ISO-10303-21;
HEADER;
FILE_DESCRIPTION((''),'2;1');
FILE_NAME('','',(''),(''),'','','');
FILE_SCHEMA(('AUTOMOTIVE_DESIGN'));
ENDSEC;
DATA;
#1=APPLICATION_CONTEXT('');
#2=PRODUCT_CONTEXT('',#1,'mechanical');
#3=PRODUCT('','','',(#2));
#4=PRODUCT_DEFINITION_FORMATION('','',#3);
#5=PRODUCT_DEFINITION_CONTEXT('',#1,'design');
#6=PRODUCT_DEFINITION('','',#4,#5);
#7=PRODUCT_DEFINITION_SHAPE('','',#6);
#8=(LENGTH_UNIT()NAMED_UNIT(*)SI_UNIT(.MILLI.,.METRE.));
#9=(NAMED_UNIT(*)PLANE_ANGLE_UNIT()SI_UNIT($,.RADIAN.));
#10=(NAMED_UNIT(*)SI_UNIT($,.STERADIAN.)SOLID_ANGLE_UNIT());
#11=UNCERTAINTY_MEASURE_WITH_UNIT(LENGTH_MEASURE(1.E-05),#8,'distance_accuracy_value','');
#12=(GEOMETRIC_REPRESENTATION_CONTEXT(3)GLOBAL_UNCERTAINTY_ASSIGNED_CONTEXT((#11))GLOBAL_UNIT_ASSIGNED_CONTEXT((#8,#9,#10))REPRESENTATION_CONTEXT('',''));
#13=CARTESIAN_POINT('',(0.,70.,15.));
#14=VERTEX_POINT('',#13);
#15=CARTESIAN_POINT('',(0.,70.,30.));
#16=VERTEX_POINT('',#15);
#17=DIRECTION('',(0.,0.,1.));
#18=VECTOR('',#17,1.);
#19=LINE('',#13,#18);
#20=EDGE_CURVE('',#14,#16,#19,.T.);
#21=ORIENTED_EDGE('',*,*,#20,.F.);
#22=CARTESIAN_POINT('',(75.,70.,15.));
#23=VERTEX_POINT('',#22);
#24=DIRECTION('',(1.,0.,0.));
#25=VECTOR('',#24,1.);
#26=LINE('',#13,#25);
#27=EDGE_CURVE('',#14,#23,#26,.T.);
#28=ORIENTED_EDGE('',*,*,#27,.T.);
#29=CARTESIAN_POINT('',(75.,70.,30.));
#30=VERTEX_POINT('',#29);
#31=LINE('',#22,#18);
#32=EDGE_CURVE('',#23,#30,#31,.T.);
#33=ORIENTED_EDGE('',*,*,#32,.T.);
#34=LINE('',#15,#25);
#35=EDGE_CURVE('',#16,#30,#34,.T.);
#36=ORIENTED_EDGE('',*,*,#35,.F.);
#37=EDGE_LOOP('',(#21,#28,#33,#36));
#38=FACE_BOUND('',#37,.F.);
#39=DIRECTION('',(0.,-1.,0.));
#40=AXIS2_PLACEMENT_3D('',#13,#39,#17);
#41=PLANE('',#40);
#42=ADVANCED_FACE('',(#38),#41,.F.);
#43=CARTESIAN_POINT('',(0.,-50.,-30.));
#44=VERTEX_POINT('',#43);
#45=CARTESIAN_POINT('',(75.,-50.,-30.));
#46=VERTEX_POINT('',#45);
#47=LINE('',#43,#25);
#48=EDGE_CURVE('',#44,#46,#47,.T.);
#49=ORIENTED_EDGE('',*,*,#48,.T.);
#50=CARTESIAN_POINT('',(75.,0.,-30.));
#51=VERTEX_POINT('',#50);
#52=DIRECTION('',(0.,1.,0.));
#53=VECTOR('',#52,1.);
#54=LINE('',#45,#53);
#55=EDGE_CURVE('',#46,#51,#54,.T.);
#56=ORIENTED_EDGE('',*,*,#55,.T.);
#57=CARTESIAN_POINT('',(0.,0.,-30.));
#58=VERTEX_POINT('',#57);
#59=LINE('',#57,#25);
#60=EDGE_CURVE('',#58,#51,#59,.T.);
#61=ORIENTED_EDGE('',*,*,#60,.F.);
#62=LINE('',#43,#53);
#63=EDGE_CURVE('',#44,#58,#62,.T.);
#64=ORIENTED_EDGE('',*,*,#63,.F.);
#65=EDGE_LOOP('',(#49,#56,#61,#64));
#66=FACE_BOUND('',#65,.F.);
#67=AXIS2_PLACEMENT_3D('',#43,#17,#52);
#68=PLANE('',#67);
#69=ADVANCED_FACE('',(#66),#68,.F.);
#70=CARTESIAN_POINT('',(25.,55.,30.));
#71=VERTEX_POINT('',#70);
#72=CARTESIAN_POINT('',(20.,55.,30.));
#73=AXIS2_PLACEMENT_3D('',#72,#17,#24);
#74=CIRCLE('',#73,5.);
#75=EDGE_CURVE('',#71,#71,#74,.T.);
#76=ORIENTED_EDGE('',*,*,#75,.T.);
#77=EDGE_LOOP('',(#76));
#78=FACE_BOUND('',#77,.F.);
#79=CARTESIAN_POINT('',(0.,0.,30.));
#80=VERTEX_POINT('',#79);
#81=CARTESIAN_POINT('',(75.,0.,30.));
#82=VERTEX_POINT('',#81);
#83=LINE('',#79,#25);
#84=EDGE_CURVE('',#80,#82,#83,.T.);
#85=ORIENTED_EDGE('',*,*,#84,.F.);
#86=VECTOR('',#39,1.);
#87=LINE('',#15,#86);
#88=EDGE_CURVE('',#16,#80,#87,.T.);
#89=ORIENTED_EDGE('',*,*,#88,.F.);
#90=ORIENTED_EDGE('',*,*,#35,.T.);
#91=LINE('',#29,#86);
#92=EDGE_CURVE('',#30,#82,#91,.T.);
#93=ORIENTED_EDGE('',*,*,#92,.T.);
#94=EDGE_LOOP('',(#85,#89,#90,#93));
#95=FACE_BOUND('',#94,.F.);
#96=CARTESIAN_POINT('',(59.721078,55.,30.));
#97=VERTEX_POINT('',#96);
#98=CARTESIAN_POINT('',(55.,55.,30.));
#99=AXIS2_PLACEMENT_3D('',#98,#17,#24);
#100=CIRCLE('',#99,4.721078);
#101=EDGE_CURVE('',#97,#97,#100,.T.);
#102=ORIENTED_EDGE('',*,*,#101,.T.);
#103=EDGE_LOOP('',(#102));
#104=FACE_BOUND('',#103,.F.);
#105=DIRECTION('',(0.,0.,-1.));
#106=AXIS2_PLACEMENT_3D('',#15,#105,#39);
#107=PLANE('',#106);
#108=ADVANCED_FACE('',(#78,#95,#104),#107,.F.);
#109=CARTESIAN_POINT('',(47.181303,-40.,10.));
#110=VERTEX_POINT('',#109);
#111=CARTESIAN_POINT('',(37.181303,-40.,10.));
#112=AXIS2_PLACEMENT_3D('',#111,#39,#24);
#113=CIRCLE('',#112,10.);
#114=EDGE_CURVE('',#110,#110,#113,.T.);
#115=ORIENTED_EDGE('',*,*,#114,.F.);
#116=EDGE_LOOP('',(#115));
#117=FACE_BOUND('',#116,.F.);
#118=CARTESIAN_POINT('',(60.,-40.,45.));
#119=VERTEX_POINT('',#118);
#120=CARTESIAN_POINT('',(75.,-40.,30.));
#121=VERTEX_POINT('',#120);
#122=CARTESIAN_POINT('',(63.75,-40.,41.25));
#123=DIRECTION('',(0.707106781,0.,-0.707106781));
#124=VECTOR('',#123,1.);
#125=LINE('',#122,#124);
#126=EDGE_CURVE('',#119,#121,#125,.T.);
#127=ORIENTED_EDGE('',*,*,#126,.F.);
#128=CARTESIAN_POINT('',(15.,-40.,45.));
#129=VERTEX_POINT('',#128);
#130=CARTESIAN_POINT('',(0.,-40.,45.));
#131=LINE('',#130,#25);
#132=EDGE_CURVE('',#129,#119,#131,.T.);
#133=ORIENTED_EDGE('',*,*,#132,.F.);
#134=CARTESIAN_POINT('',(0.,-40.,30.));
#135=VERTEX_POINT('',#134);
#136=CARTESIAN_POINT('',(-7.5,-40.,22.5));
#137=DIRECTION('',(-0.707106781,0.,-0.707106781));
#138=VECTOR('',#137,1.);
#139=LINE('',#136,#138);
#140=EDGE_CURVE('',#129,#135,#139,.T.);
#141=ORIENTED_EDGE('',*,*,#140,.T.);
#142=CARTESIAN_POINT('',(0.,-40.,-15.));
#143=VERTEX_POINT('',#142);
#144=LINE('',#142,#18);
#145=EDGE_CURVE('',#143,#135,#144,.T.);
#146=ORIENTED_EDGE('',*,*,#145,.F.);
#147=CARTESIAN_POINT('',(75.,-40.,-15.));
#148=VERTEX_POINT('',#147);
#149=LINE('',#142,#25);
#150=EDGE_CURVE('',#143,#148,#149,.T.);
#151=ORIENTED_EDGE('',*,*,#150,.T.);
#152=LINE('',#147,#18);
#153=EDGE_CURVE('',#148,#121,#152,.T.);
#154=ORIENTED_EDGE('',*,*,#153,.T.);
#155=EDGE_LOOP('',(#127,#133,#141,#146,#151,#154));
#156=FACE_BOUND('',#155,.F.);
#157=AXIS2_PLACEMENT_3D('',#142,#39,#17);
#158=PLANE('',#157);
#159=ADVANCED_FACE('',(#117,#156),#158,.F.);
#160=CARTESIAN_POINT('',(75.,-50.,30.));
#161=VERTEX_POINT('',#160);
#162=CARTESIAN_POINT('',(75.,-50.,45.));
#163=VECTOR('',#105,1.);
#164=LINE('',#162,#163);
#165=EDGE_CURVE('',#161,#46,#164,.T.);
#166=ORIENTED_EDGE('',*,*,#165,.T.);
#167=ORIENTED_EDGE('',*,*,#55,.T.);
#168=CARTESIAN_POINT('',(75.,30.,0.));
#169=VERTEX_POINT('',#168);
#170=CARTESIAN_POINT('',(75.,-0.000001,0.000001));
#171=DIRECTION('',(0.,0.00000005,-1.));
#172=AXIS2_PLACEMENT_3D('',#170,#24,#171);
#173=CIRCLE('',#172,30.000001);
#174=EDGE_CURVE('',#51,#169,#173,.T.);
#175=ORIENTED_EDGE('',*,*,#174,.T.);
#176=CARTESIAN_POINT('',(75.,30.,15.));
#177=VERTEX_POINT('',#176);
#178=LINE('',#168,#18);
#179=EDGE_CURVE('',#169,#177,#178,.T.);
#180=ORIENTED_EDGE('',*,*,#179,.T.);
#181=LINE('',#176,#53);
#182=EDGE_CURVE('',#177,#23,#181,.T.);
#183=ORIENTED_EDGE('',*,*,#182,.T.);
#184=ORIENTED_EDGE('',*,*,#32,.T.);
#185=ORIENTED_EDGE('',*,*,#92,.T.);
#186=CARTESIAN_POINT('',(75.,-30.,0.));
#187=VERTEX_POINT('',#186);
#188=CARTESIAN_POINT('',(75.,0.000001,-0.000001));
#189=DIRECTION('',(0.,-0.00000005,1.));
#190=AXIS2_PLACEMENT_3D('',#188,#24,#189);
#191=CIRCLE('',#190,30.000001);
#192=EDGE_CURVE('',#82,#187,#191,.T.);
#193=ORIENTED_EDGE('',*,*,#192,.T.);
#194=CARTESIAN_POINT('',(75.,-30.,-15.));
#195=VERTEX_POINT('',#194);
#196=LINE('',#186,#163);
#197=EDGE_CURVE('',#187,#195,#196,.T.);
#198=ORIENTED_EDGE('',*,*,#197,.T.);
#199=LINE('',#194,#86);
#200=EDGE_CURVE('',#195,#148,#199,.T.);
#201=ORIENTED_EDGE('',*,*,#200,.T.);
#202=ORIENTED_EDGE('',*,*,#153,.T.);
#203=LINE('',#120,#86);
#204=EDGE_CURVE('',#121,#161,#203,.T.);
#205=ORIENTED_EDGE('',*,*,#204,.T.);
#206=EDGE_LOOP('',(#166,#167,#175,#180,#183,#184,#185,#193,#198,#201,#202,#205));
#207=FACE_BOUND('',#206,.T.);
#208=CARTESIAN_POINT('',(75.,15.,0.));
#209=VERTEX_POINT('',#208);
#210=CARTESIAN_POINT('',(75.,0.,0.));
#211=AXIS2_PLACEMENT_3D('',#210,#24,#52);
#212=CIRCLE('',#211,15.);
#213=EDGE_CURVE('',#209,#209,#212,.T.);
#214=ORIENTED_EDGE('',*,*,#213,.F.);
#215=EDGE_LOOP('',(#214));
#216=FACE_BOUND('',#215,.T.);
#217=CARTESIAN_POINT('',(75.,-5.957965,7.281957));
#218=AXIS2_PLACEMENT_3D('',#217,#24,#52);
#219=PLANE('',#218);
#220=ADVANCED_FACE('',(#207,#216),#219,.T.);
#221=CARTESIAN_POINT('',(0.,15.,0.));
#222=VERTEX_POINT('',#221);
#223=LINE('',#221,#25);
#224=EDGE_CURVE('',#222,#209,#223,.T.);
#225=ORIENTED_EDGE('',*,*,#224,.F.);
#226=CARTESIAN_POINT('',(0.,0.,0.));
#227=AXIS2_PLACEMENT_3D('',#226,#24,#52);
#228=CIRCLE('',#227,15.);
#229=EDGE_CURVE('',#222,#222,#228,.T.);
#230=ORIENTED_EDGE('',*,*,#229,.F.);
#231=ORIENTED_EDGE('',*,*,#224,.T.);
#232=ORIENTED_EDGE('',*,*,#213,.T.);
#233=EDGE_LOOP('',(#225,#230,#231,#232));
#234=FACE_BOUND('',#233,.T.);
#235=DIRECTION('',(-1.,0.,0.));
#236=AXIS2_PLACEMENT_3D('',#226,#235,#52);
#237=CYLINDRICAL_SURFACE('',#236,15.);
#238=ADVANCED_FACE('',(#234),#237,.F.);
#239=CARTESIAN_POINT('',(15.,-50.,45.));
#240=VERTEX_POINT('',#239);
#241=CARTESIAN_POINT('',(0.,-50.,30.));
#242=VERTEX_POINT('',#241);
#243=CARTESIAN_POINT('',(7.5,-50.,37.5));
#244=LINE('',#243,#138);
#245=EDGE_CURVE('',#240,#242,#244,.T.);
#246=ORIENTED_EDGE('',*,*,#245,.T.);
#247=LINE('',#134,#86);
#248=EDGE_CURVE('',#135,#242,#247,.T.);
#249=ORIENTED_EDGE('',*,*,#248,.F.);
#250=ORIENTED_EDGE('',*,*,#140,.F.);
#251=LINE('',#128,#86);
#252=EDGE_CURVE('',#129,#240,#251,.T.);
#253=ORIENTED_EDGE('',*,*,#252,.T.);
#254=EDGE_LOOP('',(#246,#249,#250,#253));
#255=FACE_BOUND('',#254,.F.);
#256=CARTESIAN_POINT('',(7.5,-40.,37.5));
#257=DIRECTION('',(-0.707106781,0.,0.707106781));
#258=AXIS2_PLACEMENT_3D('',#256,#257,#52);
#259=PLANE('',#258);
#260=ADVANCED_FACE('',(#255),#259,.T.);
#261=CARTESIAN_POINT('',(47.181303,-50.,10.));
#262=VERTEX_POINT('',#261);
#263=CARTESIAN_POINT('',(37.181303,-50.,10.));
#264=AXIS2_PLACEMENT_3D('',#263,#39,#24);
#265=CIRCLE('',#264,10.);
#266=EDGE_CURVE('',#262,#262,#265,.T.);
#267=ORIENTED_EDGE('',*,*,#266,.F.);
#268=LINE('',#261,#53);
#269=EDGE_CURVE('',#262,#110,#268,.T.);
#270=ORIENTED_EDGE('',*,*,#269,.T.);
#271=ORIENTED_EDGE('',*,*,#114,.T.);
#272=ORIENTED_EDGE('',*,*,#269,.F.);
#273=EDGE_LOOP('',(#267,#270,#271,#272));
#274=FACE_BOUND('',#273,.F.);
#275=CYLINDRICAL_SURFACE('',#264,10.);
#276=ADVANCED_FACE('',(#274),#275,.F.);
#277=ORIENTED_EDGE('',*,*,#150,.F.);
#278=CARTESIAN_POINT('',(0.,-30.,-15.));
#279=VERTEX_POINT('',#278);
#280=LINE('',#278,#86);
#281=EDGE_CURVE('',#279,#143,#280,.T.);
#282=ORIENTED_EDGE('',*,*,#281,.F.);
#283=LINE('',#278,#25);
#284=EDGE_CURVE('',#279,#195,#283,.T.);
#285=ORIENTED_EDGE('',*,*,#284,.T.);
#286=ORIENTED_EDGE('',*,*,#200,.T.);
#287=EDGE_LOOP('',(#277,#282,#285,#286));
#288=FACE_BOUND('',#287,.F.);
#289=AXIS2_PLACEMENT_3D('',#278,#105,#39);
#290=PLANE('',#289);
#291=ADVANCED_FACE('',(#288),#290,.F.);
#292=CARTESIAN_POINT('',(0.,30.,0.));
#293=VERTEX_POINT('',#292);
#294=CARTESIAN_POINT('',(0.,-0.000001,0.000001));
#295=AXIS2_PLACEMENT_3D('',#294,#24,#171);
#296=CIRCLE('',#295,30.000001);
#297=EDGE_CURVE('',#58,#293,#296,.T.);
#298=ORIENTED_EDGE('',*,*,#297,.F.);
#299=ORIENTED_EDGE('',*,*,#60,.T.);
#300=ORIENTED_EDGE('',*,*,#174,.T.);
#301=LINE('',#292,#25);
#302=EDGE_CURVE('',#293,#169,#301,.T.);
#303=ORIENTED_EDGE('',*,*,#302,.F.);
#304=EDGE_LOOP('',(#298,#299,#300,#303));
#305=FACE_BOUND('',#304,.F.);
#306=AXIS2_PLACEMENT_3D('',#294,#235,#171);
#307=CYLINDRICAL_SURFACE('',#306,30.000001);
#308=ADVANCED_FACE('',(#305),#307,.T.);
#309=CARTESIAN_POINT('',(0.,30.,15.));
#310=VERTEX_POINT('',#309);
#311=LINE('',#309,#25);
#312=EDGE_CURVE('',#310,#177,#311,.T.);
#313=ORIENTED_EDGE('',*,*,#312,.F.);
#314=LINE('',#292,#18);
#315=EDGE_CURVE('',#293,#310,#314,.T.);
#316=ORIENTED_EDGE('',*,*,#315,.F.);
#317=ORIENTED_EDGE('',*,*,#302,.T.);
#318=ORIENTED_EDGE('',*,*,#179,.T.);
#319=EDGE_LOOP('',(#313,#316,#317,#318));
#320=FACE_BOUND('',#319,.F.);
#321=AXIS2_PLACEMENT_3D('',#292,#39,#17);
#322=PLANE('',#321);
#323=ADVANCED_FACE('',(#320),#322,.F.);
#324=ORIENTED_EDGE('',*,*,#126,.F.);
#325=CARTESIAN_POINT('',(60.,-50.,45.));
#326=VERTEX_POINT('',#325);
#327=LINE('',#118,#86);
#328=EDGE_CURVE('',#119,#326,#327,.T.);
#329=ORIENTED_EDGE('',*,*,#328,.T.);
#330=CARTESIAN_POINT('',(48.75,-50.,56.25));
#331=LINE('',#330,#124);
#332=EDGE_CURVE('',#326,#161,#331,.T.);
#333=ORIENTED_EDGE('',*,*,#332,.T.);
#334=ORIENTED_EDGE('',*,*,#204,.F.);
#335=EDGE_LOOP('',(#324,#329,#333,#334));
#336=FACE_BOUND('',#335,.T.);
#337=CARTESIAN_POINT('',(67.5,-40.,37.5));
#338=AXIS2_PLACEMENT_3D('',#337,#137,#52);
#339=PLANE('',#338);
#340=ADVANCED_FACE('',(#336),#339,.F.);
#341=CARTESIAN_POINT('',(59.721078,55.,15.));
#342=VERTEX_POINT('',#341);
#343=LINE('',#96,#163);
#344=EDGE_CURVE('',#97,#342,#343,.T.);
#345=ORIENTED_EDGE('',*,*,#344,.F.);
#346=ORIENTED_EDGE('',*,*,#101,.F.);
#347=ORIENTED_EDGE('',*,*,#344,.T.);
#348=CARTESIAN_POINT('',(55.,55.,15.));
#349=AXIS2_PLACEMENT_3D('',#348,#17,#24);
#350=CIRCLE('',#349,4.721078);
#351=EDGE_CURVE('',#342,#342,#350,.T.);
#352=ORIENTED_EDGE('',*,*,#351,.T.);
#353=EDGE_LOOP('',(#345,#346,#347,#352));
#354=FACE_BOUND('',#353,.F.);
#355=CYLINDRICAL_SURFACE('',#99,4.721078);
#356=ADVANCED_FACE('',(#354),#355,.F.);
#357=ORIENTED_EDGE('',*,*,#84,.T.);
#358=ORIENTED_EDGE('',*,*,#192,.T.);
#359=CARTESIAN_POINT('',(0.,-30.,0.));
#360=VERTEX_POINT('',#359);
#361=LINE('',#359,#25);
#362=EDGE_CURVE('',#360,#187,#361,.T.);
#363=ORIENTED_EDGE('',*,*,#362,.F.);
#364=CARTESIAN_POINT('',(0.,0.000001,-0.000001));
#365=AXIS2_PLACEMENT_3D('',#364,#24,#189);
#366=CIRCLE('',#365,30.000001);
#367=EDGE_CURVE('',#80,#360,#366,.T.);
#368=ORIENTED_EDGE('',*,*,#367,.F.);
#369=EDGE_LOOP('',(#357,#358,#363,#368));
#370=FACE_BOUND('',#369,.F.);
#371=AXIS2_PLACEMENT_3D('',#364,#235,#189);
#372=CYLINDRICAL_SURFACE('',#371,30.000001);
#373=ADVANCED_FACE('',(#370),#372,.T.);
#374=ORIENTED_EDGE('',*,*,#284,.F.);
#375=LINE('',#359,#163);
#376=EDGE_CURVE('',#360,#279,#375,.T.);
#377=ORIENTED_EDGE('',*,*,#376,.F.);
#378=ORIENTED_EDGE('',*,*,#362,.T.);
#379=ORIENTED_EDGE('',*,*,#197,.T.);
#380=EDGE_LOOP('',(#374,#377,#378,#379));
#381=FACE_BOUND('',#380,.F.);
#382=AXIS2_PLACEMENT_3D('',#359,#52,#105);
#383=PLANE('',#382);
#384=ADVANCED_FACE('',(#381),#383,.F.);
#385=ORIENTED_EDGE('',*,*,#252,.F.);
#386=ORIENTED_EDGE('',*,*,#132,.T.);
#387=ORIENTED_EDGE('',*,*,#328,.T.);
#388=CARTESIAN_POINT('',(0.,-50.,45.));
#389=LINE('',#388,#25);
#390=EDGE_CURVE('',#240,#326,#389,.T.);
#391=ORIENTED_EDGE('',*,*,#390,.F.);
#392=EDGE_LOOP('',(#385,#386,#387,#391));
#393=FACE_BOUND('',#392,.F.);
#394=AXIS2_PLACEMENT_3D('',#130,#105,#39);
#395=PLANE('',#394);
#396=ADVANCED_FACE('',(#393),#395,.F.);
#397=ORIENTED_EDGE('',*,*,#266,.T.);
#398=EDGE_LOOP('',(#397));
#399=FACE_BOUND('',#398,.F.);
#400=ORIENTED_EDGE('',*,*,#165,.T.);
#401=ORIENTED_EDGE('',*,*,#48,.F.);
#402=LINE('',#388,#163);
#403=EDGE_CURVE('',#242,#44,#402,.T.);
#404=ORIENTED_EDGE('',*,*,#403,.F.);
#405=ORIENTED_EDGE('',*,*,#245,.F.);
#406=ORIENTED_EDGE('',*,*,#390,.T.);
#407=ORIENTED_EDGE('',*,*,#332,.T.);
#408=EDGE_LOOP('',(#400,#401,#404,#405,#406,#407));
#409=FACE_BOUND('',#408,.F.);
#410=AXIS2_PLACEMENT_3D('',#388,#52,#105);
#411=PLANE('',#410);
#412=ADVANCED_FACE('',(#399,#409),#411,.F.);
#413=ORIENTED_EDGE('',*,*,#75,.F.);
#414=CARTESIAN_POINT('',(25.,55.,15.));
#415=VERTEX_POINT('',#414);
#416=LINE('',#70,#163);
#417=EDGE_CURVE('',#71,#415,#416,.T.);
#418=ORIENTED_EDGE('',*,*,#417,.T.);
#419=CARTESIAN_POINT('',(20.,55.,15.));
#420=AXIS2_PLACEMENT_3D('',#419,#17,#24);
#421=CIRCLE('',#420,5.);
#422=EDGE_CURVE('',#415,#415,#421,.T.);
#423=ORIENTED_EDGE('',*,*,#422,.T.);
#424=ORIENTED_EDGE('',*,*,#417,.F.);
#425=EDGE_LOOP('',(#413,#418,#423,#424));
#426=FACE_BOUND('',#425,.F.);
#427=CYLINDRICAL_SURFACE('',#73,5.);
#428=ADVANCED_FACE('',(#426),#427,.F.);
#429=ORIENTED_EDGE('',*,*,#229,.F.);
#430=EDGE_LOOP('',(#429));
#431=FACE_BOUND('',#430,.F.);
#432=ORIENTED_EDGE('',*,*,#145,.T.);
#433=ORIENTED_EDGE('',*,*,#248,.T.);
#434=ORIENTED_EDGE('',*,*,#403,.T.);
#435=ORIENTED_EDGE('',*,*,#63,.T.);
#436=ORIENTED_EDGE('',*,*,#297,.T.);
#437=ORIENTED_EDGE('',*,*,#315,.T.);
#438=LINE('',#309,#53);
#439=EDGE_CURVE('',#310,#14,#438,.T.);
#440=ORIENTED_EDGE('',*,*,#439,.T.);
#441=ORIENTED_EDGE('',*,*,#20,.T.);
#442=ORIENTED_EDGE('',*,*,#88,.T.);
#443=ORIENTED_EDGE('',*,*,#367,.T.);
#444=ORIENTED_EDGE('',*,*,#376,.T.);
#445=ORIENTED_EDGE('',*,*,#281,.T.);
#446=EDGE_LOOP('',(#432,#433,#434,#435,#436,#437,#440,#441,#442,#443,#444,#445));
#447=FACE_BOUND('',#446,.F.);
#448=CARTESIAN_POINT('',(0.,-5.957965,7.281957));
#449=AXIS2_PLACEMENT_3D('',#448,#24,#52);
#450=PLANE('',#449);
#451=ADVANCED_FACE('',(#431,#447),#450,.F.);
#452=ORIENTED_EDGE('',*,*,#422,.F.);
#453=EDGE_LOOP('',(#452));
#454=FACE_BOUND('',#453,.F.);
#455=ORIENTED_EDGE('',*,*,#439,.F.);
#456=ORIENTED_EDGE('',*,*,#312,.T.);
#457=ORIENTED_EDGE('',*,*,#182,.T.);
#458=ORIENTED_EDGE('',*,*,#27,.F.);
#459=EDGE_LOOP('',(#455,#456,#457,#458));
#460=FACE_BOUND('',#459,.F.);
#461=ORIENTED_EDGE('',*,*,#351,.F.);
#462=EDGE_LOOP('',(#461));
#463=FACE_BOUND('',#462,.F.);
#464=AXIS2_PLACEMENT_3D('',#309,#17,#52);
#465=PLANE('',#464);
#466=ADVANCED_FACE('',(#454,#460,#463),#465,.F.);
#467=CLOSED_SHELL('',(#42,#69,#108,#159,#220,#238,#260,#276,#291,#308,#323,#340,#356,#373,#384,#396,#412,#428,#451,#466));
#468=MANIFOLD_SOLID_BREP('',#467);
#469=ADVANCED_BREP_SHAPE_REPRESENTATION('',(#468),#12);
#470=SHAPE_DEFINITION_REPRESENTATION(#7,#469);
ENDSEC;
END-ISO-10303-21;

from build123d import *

# Parameters (mm, degrees)
F0_R     = 15
F1_DEPTH = 75
F2_SIZE  = 15
F3_SIZE  = 15
F4_R     = 10
F5_DEPTH = 15
F6_R     = 4.721078
F6_R_2   = 5
F7_DEPTH = 15


with BuildPart() as f1:
    # F0 (on Right) → F1 (new body)
    with BuildSketch(Plane.YZ):
        with BuildLine():
            Line((-50, -30), (0, -30))
            ThreePointArc((0, -30), (21.213203, -21.213203), (30, 0))
            Line((30, 0), (30, 15))
            Line((30, 15), (70, 15))
            Line((70, 15), (70, 30))
            Line((70, 30), (0, 30))
            ThreePointArc((0, 30), (-21.213203, 21.213203), (-30, 0))
            Line((-30, 0), (-30, -15))
            Line((-30, -15), (-40, -15))
            Line((-40, -15), (-40, 45))
            Line((-40, 45), (-50, 45))
            Line((-50, 45), (-50, 0))
            Line((-50, 0), (-50, -30))
        make_face()
        Circle(F0_R, mode=Mode.SUBTRACT)
    extrude(amount=F1_DEPTH)

    # F2
    f2_edges = [f1.edges().sort_by_distance(p)[0] for p in [
        (75, -45, 45),
    ]]
    chamfer(f2_edges, length=F2_SIZE)

    # F3
    f3_edges = [f1.edges().sort_by_distance(p)[0] for p in [
        (0, -45, 45),
    ]]
    chamfer(f3_edges, length=F3_SIZE)

    # F4 (on face) → F5 (cut)
    with BuildSketch(Plane.XZ.offset(50)):
        with Locations((37.181303, 10)):
            Circle(F4_R)
    extrude(amount=-F5_DEPTH, mode=Mode.SUBTRACT)

    # F6 (on face) → F7 (cut)
    with BuildSketch(Plane.XY.offset(30)):
        with Locations((55, 55)):
            Circle(F6_R)
        with Locations((20, 55)):
            Circle(F6_R_2)
    extrude(amount=-F7_DEPTH, mode=Mode.SUBTRACT)


solid = f1.part
